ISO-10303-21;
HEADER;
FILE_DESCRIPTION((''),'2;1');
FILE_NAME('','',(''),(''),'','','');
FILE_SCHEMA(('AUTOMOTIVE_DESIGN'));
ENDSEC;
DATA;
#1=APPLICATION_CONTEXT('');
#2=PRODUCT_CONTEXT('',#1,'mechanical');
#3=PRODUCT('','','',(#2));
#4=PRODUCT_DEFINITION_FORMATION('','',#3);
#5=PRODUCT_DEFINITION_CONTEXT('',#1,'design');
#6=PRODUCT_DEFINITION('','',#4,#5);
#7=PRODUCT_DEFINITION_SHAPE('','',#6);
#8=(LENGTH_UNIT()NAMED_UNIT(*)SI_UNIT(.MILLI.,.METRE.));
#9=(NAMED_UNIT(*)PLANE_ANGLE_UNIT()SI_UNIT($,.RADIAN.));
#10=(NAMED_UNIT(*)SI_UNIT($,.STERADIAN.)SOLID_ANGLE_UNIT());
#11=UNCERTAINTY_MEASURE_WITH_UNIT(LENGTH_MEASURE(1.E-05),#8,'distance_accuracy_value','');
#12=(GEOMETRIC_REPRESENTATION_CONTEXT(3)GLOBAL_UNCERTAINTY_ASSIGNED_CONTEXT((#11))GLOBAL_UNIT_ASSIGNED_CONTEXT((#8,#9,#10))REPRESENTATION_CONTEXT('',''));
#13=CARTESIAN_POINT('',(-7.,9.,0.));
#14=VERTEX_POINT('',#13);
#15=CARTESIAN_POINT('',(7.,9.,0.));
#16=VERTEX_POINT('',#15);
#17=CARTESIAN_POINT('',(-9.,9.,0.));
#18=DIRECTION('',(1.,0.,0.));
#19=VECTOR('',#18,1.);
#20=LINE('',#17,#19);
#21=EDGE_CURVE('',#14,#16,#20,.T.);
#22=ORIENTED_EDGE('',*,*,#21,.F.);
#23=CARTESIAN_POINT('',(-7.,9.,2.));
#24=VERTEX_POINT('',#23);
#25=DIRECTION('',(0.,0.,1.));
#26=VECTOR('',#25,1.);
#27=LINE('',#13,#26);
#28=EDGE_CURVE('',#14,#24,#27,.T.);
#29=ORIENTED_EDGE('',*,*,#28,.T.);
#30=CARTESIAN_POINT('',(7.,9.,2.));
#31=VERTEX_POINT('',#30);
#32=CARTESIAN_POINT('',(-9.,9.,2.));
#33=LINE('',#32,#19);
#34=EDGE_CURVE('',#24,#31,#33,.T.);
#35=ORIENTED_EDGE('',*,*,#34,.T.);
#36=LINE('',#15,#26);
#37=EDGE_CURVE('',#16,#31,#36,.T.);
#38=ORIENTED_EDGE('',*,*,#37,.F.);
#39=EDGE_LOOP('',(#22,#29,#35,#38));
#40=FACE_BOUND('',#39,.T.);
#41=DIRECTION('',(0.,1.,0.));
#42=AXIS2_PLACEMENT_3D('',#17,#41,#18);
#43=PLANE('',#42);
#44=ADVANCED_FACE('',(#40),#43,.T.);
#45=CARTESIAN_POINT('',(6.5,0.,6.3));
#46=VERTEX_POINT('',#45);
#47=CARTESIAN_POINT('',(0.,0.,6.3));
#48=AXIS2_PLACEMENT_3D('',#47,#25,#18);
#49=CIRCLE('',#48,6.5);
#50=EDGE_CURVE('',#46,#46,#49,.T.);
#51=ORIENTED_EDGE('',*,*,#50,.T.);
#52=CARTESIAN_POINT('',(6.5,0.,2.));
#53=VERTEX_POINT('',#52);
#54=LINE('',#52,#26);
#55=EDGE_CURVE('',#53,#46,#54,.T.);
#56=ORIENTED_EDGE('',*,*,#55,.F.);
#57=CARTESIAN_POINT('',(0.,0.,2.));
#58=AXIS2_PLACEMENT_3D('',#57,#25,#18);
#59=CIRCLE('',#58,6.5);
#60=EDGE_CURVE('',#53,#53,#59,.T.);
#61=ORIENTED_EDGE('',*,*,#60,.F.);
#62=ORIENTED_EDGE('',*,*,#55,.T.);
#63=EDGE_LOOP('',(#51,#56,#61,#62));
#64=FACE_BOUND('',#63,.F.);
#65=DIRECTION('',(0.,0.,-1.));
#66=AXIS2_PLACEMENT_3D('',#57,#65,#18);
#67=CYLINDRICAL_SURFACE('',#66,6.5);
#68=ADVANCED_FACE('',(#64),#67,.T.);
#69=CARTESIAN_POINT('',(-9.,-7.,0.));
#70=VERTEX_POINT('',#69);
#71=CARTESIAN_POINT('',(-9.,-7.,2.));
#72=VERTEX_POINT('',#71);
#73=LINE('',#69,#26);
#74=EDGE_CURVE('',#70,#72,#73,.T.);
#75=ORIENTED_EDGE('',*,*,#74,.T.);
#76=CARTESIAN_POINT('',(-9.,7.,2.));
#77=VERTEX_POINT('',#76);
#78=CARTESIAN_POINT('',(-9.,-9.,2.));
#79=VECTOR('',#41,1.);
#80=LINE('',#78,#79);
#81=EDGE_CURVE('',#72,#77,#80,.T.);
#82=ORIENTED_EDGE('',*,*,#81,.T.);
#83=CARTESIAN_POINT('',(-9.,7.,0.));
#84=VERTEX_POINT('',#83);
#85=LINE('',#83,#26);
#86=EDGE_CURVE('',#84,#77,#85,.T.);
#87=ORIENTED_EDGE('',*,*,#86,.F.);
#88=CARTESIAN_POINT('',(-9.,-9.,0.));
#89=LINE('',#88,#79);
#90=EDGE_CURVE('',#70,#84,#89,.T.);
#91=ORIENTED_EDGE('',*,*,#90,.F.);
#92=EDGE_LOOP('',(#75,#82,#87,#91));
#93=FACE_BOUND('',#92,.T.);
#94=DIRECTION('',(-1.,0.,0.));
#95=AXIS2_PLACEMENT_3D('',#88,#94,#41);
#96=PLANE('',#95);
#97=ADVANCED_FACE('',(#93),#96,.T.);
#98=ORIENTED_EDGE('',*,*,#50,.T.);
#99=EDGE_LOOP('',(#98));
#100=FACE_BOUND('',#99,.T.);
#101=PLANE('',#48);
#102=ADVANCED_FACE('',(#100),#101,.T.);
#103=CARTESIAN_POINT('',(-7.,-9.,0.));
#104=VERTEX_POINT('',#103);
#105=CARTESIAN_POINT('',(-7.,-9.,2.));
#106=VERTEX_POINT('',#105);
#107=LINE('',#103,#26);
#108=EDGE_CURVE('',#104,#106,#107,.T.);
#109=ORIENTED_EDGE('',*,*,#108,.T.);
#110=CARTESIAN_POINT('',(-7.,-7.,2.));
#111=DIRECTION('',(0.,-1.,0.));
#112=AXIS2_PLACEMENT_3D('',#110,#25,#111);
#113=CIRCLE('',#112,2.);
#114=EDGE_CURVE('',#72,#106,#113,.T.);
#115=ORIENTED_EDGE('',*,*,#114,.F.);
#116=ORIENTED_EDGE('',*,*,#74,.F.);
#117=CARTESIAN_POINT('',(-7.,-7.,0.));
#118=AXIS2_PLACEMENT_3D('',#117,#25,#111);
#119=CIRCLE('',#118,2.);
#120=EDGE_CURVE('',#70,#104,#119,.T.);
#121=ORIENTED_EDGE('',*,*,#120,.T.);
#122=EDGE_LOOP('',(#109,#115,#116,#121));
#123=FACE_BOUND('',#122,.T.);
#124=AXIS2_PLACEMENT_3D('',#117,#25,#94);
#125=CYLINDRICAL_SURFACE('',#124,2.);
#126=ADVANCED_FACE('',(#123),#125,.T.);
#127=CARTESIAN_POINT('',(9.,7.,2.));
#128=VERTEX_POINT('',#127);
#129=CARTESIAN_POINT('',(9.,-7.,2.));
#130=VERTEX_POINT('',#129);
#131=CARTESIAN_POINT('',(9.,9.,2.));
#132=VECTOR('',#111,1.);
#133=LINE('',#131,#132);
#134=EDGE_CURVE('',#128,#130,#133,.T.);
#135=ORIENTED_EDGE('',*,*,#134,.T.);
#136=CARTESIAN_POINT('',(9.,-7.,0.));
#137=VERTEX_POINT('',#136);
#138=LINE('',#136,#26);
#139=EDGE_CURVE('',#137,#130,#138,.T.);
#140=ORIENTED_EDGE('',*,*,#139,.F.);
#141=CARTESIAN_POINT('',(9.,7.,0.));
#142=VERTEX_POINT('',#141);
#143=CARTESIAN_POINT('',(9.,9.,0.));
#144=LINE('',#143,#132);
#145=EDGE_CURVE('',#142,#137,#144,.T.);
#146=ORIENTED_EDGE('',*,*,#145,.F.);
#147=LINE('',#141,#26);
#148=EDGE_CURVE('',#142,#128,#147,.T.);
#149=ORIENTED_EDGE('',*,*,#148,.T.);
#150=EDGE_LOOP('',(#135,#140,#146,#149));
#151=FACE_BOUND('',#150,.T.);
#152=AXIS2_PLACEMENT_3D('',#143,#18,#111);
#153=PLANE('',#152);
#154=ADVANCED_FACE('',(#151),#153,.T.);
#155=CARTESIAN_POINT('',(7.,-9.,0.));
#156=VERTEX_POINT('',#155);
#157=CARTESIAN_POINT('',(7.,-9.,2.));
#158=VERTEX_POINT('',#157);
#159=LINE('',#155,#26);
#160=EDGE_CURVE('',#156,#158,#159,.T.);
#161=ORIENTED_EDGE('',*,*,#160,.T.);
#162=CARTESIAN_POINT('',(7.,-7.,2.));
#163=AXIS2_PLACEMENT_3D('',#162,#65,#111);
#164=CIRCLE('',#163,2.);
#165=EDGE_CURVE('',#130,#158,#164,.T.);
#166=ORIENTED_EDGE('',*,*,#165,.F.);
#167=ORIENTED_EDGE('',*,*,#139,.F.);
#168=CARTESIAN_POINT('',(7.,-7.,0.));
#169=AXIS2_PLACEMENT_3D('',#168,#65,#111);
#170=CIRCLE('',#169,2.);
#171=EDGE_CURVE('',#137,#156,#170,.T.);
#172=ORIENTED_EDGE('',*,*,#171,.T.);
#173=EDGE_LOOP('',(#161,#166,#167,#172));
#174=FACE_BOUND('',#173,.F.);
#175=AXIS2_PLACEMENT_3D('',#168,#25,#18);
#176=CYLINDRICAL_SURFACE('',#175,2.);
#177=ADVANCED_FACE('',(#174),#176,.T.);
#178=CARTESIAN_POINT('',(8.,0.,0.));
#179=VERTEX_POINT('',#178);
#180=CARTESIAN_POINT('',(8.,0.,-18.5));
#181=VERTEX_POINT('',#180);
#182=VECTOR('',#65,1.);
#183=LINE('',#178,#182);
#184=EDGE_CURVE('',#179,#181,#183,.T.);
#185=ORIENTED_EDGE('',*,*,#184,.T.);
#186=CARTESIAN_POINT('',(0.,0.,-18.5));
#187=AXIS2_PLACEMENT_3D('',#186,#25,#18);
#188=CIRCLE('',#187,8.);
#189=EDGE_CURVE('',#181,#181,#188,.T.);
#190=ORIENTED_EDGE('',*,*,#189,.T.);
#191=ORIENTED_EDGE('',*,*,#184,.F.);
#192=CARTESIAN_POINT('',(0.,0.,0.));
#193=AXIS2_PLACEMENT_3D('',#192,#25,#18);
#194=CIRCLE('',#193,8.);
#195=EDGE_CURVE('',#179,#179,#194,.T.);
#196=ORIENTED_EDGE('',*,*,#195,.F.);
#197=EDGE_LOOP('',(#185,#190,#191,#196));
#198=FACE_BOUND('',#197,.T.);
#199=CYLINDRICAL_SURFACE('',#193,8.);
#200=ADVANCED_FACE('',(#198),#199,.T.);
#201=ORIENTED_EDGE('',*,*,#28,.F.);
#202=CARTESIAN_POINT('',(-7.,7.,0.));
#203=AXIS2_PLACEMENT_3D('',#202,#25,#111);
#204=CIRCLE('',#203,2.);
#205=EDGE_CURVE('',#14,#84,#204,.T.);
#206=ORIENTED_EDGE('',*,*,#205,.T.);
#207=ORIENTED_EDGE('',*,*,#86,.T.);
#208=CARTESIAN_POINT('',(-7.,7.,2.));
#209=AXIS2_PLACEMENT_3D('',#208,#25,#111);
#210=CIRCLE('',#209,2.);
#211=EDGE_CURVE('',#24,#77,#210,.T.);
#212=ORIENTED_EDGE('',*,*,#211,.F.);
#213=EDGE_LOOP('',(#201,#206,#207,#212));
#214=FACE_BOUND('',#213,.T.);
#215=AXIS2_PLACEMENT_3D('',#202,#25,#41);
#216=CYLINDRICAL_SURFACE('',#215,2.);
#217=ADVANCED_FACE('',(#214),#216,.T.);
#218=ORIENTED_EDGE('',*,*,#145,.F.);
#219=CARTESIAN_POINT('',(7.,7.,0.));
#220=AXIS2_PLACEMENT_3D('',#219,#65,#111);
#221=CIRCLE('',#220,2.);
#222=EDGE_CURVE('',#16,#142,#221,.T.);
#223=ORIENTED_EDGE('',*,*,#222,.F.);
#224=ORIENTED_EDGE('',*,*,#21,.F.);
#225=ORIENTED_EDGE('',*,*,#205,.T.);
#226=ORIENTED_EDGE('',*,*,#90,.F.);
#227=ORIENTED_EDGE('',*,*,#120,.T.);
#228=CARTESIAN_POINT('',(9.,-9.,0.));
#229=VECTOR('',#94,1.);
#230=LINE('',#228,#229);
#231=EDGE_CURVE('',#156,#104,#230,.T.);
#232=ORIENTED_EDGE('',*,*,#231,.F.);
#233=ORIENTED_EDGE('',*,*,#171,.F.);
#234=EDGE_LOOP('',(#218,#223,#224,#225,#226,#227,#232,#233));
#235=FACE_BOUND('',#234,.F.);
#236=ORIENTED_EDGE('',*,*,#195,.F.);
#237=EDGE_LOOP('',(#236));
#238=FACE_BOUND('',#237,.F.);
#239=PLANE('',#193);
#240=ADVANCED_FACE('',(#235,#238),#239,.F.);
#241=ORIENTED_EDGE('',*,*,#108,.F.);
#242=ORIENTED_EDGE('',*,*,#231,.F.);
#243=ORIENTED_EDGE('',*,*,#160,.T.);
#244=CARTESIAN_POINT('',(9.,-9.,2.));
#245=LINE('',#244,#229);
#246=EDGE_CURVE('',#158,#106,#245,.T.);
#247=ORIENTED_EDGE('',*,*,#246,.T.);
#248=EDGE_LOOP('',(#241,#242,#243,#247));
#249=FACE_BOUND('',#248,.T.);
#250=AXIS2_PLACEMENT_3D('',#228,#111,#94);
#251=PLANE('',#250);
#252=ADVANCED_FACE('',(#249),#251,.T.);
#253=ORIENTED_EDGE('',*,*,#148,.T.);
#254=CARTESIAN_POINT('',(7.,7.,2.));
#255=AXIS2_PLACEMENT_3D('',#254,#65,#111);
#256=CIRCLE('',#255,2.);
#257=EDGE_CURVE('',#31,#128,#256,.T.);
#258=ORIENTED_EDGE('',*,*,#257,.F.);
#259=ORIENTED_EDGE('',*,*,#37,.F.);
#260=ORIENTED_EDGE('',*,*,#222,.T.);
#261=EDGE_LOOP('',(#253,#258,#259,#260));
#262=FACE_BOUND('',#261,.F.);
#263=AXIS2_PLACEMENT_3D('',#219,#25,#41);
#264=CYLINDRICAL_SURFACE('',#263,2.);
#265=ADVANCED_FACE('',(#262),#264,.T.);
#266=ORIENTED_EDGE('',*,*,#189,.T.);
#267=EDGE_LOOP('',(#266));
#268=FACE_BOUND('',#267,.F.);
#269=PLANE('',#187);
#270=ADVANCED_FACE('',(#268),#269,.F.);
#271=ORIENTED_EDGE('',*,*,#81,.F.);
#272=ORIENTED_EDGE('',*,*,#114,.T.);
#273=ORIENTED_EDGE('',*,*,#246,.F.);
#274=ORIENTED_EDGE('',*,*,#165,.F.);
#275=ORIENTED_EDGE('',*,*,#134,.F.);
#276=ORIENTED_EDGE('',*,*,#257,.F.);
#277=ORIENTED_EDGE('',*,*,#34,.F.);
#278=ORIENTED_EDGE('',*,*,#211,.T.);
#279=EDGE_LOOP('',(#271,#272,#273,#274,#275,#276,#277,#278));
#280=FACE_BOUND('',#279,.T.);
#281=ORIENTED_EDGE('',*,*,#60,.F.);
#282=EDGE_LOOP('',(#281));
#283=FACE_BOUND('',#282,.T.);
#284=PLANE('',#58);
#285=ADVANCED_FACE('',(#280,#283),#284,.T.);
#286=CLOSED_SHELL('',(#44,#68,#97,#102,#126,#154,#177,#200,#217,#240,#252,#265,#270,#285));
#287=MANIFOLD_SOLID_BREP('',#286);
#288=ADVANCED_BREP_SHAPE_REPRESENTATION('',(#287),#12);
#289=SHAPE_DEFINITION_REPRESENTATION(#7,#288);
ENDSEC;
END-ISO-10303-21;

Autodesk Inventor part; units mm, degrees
ref_plane "YZ Plane" through (0, 0, 0) normal (1, 0, 0) x (0, 1, 0)
ref_plane "XZ Plane" through (0, 0, 0) normal (0, 1, 0) x (-1, 0, 0)
ref_plane "XY Plane" through (0, 0, 0) normal (0, 0, 1) x (1, 0, 0)
sketch "Sketch1" plane through (0, 0, 0) normal (0, 0, 1) x (1, 0, 0)
  circle A0 centre (0, 0) radius 8
  dimension "d0" = 16
extrude "Extrusion1" add sketch "Sketch1" against normal blind 18.5
sketch "Sketch2" plane through (0, 0, 0) normal (0, 0, 1) x (1, 0, 0)
  line L0 (-9, 9) -> (9, 9)
  line L1 (9, 9) -> (9, -9)
  line L2 (9, -9) -> (-9, -9)
  line L3 (-9, -9) -> (-9, 9)
  point P0 (0, 0)
  dimension "d3" = 18
  dimension "d4" = 18
  dimension "d5" = 9
  dimension "d6" = 9
extrude "Extrusion2" add sketch "Sketch2" along normal blind 2
sketch "Sketch3" plane through (0, 0, 2) normal (0, 0, 1) x (1, 0, 0)
  circle A0 centre (0, 0) radius 6.5
  dimension "d9" = 13
extrude "Extrusion3" add sketch "Sketch3" along normal blind 4.3
fillet "Fillet1" radius 2 4 edges at (9, 9, 1) (-9, 9, 1) (9, -9, 1) (-9, -9, 1)
properties part number "Button"
